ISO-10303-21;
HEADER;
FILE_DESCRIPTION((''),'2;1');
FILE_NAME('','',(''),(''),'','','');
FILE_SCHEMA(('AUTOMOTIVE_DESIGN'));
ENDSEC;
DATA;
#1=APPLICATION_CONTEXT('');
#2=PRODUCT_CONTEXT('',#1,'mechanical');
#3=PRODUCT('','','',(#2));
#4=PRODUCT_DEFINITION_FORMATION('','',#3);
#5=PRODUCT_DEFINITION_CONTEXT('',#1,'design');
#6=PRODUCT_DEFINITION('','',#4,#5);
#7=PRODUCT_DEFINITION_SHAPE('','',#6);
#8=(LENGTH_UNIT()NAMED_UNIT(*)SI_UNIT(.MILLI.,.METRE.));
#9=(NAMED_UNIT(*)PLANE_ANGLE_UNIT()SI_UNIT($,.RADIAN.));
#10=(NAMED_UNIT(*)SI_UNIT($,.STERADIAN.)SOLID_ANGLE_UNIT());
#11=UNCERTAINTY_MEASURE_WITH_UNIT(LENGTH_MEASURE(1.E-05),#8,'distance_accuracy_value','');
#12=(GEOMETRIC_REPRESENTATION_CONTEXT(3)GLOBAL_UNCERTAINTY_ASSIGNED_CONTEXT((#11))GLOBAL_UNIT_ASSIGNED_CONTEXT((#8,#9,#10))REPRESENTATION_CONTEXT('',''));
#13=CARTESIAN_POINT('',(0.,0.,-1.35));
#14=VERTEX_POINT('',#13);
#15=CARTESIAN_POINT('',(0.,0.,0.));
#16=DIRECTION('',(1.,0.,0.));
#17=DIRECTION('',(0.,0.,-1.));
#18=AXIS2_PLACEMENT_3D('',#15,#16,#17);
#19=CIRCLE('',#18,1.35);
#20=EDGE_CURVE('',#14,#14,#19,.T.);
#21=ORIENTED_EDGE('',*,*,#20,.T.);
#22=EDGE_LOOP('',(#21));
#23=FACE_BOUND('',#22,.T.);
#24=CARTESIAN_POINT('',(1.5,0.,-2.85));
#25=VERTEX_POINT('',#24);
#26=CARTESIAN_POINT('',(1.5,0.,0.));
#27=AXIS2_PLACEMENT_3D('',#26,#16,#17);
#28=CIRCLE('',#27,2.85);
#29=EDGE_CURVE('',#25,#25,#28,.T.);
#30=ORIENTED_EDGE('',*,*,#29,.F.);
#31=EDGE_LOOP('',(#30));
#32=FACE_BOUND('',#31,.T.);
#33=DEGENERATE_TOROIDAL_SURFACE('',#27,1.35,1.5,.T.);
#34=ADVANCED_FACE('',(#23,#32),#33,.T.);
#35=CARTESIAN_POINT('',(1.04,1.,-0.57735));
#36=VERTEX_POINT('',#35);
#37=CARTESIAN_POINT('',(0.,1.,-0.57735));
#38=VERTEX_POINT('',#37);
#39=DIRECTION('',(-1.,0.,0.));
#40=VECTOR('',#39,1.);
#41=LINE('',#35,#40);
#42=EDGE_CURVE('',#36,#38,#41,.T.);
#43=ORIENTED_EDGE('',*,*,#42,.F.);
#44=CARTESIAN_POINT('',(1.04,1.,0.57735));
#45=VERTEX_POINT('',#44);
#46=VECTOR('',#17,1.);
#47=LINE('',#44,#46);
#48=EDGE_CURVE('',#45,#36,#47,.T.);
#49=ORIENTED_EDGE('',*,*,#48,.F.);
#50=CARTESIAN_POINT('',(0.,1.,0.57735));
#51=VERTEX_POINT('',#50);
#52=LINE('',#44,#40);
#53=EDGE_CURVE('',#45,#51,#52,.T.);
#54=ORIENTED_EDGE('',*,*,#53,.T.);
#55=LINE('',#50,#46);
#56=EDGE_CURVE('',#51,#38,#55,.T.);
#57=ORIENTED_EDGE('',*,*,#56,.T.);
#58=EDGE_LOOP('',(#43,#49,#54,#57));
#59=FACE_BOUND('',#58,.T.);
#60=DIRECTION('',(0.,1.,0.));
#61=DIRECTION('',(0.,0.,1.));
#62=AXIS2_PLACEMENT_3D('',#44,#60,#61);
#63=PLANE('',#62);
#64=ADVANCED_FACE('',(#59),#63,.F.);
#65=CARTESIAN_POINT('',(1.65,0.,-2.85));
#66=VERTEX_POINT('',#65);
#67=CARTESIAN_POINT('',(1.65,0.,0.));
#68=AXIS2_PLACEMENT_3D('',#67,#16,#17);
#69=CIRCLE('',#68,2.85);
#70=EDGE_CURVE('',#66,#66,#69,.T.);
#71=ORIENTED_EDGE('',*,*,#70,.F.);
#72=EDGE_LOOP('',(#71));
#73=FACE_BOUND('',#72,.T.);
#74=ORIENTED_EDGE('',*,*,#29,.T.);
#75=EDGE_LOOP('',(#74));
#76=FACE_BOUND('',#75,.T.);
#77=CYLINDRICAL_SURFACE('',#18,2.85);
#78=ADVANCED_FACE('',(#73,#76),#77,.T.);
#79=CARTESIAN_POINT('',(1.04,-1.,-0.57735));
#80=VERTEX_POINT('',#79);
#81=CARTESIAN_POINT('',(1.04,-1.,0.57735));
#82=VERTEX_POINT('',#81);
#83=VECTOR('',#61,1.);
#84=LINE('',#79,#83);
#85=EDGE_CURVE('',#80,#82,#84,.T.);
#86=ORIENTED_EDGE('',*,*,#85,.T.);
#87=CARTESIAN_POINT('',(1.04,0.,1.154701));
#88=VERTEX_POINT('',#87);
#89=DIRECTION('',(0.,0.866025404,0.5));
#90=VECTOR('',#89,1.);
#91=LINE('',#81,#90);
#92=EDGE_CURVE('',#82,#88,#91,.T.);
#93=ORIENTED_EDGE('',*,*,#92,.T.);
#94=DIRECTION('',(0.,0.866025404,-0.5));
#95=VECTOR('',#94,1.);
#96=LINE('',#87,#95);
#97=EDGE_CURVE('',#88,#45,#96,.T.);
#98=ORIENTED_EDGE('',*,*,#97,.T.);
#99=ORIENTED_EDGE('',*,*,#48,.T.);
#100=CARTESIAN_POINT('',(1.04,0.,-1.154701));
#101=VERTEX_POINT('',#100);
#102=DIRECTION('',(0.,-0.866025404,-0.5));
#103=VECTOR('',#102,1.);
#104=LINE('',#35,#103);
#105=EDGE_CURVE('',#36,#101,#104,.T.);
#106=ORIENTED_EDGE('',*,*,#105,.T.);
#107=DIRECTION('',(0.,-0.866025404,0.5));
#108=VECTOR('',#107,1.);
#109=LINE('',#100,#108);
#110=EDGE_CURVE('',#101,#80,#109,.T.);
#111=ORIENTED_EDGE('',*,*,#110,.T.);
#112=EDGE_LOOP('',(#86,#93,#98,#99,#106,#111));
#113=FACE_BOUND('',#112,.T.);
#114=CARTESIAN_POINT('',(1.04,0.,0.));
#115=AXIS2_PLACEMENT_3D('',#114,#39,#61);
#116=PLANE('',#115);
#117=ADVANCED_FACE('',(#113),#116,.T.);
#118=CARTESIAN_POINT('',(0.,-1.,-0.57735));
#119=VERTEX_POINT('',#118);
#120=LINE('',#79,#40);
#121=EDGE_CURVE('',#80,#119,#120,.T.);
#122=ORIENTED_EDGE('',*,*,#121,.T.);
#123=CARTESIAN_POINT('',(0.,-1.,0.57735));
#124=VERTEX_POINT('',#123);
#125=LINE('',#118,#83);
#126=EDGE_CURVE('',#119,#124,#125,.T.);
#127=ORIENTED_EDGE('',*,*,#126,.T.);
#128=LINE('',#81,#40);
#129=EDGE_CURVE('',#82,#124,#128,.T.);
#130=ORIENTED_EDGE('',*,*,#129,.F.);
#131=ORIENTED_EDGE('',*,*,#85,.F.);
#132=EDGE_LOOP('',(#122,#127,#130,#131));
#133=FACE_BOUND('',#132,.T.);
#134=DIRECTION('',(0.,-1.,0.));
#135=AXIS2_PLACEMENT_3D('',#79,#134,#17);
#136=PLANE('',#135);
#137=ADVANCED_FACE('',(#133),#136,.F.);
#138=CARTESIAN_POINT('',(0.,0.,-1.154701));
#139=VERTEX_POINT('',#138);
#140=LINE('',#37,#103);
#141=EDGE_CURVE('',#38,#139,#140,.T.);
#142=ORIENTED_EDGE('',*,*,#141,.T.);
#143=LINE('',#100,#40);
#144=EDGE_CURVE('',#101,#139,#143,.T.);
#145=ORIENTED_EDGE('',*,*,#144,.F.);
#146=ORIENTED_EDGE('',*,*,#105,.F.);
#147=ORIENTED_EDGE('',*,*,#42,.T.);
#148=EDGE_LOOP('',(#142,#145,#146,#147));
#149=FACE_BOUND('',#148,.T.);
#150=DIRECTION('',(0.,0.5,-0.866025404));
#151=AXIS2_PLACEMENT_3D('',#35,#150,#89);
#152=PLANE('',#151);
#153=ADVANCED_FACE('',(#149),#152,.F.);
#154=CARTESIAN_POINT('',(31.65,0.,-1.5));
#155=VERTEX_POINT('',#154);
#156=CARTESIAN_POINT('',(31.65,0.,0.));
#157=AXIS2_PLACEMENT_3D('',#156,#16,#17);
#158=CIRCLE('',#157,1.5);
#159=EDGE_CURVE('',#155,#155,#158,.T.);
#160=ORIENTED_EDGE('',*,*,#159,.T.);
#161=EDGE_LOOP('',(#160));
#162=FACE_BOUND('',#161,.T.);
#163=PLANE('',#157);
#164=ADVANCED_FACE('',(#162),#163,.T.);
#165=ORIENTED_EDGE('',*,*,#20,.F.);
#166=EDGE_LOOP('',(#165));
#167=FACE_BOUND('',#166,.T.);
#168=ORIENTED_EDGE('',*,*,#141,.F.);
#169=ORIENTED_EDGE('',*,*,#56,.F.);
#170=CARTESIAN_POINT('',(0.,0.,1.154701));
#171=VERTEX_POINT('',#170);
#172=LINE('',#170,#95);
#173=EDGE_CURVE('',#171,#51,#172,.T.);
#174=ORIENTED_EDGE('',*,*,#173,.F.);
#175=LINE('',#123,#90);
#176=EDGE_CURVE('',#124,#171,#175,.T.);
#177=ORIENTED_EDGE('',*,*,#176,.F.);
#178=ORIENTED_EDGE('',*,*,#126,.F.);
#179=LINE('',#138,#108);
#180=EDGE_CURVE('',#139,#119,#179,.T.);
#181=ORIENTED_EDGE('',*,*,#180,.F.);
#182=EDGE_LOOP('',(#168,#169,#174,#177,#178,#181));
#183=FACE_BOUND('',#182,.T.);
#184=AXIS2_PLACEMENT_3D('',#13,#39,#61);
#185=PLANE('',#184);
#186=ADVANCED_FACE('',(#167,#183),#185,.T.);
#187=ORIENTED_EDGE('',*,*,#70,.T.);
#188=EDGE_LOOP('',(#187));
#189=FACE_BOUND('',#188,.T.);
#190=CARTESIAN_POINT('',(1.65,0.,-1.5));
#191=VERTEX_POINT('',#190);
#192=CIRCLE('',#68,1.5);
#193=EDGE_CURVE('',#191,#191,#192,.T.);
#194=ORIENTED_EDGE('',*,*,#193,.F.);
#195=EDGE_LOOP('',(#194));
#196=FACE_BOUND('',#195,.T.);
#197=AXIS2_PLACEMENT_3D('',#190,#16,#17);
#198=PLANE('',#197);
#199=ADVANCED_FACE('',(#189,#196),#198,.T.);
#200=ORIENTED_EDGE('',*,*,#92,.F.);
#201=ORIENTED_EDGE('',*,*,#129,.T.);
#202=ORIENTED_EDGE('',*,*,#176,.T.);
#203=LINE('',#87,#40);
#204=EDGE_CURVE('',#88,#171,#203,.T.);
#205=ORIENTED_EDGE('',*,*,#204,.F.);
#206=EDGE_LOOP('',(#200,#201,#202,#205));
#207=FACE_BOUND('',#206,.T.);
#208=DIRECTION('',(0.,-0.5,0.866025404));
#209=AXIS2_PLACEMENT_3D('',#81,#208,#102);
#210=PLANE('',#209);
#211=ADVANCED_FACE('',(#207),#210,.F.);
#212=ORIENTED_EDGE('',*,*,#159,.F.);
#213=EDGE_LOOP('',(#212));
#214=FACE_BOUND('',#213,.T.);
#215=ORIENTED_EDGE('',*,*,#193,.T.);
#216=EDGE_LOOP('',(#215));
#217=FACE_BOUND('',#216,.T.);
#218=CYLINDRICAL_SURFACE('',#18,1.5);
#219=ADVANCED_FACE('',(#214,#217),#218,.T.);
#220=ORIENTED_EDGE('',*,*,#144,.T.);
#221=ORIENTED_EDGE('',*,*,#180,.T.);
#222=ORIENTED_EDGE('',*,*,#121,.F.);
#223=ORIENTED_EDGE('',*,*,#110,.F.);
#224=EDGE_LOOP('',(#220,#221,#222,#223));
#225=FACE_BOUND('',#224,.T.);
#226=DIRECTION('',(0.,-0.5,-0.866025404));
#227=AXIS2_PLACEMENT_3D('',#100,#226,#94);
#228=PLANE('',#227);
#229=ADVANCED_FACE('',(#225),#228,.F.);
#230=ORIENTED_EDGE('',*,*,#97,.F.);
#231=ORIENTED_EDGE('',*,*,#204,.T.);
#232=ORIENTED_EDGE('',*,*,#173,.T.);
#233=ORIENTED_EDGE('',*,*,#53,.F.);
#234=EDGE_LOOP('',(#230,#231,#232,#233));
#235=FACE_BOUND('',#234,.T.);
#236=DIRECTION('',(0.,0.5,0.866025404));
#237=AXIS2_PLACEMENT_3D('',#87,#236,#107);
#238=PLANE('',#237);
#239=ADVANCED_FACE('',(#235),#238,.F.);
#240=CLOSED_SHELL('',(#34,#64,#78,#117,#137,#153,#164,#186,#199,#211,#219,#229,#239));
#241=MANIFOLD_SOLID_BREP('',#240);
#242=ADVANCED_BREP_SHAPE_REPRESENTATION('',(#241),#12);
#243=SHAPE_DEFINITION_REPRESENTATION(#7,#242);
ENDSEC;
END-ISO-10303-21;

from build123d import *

# Parameters (mm, degrees)
CUT_EXTRUDE1_DEPTH = 1.04


with BuildPart() as part:
    # Sketch1 → Revolve1 (revolve)
    with BuildSketch(Plane(origin=(0, 0, 0), x_dir=(1, 0, 0), z_dir=(0, 1, 0))):
        with BuildLine():
            Line((0, 0), (31.65, 0))
            Line((31.65, 0), (31.65, 1.5))
            Line((31.65, 1.5), (1.65, 1.5))
            Line((1.65, 1.5), (1.65, 2.85))
            Line((1.65, 2.85), (1.5, 2.85))
            ThreePointArc((1.5, 2.85), (0.439339828, 2.410660172), (0, 1.35))
            Line((0, 1.35), (0, 0))
        make_face()
    revolve(axis=Axis((0, 0, 0), (-1, 0, 0)))

    # Sketch2 → Cut-Extrude1 (cut)
    with BuildSketch(Plane.ZY):
        Polygon((1.154700538, 0), (0.577350269, 1), (-0.577350269, 1), (-1.154700538, 0), (-0.577350269, -1), (0.577350269, -1), align=None)
    extrude(amount=-CUT_EXTRUDE1_DEPTH, mode=Mode.SUBTRACT)


solid = part.part
